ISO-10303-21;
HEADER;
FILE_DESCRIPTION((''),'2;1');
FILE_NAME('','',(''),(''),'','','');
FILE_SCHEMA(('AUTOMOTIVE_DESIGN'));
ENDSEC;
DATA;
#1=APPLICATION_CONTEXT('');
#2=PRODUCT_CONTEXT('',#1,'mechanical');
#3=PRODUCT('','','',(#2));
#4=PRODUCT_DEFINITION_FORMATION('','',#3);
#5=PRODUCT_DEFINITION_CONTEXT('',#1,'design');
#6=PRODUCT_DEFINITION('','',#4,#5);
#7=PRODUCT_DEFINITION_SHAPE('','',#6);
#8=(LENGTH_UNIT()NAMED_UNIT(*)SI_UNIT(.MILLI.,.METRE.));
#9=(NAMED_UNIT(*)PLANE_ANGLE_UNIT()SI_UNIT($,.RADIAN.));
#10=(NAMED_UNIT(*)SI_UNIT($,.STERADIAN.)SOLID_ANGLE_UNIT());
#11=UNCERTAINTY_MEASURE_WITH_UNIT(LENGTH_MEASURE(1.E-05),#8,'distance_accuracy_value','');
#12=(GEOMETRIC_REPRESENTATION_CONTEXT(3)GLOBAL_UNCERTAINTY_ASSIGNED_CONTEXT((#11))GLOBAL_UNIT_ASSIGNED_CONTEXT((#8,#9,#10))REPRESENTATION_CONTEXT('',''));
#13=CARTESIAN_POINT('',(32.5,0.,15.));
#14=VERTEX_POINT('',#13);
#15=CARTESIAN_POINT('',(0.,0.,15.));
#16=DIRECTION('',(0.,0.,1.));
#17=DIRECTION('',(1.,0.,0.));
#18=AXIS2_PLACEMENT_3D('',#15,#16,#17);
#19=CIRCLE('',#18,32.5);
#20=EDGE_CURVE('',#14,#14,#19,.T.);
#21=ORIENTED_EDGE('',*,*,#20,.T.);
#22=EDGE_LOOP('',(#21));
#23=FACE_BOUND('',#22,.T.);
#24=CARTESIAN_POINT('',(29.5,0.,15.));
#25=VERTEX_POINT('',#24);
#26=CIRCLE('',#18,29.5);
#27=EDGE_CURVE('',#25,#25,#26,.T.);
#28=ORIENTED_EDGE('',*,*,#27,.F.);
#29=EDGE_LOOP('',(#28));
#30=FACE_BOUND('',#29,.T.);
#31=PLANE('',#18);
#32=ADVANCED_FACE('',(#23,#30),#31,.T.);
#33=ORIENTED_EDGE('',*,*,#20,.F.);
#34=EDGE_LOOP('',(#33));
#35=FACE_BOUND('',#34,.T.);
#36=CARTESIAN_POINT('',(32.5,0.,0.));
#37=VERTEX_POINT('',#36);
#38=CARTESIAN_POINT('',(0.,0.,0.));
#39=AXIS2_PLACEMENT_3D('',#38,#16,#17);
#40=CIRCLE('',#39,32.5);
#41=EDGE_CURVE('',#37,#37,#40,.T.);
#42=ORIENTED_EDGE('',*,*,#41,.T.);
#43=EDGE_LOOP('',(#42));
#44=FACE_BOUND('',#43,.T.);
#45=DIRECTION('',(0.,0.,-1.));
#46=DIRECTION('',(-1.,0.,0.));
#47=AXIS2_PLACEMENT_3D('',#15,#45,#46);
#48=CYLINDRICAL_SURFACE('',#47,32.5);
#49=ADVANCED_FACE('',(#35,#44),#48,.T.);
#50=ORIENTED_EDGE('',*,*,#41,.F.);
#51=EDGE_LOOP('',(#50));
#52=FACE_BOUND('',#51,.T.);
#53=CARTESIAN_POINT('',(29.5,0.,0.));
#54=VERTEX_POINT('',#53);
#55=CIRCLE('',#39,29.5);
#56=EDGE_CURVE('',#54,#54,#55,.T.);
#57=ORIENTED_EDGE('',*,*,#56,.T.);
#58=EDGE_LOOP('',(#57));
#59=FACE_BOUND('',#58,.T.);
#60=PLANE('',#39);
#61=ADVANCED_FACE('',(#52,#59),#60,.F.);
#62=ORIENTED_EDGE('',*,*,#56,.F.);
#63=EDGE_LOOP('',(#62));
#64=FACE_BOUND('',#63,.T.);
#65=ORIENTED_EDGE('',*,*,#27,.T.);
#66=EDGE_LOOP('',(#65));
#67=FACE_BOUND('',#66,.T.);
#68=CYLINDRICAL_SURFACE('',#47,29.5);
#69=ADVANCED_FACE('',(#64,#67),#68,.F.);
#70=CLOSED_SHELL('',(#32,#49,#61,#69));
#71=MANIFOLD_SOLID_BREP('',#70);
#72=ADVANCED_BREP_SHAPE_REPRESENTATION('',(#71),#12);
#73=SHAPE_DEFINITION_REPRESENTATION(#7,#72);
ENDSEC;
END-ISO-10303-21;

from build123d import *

# Parameters (mm, degrees)
ESQUISSE1_R        = 32.5
ESQUISSE1_R_2      = 29.5
BOSS_EXTRU_1_DEPTH = 15


with BuildPart() as part:
    # Esquisse1 → Boss.-Extru.1 (new body)
    with BuildSketch(Plane.XY):
        Circle(ESQUISSE1_R)
        Circle(ESQUISSE1_R_2, mode=Mode.SUBTRACT)
    extrude(amount=BOSS_EXTRU_1_DEPTH)


solid = part.part
